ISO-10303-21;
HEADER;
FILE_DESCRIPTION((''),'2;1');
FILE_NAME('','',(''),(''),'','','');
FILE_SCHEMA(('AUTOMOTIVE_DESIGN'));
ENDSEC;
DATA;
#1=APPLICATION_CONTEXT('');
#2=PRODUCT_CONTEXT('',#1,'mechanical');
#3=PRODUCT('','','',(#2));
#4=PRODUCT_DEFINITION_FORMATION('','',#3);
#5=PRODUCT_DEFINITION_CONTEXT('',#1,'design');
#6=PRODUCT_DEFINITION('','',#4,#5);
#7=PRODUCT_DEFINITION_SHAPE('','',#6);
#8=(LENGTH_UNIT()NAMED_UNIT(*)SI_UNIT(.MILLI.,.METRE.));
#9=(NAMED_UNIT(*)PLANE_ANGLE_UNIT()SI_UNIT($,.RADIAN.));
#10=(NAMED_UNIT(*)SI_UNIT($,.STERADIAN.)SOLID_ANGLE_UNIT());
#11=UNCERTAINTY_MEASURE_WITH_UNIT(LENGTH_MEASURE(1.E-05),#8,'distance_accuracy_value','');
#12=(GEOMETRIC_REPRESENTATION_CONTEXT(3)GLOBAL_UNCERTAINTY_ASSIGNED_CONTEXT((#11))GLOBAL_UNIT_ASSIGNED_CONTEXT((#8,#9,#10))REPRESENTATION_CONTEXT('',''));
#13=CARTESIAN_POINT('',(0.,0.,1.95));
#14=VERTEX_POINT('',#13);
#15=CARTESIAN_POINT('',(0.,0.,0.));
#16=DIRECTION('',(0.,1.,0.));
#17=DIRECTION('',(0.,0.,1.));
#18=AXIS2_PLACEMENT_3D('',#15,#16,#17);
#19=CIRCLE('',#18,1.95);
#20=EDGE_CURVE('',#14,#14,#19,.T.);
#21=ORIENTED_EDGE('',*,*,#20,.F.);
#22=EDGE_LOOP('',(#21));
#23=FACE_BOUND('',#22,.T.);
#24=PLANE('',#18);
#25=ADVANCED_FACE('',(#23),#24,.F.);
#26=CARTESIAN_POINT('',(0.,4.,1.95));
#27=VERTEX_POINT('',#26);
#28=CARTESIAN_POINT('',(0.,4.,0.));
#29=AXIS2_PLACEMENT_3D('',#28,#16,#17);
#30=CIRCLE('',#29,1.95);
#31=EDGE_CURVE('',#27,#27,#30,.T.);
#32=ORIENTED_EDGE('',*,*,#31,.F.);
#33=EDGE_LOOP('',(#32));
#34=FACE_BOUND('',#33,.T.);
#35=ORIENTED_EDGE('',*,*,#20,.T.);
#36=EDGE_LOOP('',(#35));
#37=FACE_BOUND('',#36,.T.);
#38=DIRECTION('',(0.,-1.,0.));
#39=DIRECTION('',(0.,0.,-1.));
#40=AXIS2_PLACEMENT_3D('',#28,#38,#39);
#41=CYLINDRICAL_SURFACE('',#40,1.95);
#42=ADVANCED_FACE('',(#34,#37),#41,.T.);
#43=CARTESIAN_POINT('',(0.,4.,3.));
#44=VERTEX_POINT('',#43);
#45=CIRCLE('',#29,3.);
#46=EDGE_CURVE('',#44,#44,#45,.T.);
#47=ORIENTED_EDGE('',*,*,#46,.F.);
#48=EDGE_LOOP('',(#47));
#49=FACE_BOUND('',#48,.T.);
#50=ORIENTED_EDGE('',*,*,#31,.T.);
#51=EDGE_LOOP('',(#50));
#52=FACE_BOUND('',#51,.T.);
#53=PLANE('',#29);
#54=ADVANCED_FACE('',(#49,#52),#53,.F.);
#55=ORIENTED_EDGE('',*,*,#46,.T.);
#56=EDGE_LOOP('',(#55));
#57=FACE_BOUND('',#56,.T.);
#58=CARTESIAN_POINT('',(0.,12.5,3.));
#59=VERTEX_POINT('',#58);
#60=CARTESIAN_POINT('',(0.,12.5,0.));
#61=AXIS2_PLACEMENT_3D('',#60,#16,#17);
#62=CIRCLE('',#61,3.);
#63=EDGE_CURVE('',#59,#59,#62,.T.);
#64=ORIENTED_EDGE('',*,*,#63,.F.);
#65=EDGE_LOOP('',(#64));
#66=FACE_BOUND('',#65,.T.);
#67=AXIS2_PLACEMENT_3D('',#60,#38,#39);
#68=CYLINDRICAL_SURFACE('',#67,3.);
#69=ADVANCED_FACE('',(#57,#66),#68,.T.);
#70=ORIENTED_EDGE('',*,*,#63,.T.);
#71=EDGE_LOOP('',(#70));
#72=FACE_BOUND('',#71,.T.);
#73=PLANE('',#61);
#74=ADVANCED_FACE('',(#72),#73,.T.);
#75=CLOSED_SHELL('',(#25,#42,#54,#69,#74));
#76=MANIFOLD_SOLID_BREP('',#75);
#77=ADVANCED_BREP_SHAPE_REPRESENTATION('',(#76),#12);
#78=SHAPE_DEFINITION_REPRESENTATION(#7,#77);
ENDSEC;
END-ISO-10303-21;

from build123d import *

# Parameters (mm, degrees)
SKETCH1_R           = 1.95
BOSS_EXTRUDE1_DEPTH = 4
SKETCH2_R           = 3
BOSS_EXTRUDE2_DEPTH = 8.5


with BuildPart() as part:
    # Sketch1 → Boss-Extrude1 (new body)
    with BuildSketch(Plane(origin=(0, 0, 0), x_dir=(1, 0, 0), z_dir=(0, 1, 0))):
        with Locations(Location((0, 0, 0), (0, 0, 270))):
            Circle(SKETCH1_R)
    extrude(amount=BOSS_EXTRUDE1_DEPTH)

    # Sketch2 → Boss-Extrude2 (add)
    with BuildSketch(Plane(origin=(0, 4, 0), x_dir=(1, 0, 0), z_dir=(0, 1, 0))):
        with Locations(Location((0, 0, 0), (0, 0, 270))):
            Circle(SKETCH2_R)
    extrude(amount=BOSS_EXTRUDE2_DEPTH)


solid = part.part
